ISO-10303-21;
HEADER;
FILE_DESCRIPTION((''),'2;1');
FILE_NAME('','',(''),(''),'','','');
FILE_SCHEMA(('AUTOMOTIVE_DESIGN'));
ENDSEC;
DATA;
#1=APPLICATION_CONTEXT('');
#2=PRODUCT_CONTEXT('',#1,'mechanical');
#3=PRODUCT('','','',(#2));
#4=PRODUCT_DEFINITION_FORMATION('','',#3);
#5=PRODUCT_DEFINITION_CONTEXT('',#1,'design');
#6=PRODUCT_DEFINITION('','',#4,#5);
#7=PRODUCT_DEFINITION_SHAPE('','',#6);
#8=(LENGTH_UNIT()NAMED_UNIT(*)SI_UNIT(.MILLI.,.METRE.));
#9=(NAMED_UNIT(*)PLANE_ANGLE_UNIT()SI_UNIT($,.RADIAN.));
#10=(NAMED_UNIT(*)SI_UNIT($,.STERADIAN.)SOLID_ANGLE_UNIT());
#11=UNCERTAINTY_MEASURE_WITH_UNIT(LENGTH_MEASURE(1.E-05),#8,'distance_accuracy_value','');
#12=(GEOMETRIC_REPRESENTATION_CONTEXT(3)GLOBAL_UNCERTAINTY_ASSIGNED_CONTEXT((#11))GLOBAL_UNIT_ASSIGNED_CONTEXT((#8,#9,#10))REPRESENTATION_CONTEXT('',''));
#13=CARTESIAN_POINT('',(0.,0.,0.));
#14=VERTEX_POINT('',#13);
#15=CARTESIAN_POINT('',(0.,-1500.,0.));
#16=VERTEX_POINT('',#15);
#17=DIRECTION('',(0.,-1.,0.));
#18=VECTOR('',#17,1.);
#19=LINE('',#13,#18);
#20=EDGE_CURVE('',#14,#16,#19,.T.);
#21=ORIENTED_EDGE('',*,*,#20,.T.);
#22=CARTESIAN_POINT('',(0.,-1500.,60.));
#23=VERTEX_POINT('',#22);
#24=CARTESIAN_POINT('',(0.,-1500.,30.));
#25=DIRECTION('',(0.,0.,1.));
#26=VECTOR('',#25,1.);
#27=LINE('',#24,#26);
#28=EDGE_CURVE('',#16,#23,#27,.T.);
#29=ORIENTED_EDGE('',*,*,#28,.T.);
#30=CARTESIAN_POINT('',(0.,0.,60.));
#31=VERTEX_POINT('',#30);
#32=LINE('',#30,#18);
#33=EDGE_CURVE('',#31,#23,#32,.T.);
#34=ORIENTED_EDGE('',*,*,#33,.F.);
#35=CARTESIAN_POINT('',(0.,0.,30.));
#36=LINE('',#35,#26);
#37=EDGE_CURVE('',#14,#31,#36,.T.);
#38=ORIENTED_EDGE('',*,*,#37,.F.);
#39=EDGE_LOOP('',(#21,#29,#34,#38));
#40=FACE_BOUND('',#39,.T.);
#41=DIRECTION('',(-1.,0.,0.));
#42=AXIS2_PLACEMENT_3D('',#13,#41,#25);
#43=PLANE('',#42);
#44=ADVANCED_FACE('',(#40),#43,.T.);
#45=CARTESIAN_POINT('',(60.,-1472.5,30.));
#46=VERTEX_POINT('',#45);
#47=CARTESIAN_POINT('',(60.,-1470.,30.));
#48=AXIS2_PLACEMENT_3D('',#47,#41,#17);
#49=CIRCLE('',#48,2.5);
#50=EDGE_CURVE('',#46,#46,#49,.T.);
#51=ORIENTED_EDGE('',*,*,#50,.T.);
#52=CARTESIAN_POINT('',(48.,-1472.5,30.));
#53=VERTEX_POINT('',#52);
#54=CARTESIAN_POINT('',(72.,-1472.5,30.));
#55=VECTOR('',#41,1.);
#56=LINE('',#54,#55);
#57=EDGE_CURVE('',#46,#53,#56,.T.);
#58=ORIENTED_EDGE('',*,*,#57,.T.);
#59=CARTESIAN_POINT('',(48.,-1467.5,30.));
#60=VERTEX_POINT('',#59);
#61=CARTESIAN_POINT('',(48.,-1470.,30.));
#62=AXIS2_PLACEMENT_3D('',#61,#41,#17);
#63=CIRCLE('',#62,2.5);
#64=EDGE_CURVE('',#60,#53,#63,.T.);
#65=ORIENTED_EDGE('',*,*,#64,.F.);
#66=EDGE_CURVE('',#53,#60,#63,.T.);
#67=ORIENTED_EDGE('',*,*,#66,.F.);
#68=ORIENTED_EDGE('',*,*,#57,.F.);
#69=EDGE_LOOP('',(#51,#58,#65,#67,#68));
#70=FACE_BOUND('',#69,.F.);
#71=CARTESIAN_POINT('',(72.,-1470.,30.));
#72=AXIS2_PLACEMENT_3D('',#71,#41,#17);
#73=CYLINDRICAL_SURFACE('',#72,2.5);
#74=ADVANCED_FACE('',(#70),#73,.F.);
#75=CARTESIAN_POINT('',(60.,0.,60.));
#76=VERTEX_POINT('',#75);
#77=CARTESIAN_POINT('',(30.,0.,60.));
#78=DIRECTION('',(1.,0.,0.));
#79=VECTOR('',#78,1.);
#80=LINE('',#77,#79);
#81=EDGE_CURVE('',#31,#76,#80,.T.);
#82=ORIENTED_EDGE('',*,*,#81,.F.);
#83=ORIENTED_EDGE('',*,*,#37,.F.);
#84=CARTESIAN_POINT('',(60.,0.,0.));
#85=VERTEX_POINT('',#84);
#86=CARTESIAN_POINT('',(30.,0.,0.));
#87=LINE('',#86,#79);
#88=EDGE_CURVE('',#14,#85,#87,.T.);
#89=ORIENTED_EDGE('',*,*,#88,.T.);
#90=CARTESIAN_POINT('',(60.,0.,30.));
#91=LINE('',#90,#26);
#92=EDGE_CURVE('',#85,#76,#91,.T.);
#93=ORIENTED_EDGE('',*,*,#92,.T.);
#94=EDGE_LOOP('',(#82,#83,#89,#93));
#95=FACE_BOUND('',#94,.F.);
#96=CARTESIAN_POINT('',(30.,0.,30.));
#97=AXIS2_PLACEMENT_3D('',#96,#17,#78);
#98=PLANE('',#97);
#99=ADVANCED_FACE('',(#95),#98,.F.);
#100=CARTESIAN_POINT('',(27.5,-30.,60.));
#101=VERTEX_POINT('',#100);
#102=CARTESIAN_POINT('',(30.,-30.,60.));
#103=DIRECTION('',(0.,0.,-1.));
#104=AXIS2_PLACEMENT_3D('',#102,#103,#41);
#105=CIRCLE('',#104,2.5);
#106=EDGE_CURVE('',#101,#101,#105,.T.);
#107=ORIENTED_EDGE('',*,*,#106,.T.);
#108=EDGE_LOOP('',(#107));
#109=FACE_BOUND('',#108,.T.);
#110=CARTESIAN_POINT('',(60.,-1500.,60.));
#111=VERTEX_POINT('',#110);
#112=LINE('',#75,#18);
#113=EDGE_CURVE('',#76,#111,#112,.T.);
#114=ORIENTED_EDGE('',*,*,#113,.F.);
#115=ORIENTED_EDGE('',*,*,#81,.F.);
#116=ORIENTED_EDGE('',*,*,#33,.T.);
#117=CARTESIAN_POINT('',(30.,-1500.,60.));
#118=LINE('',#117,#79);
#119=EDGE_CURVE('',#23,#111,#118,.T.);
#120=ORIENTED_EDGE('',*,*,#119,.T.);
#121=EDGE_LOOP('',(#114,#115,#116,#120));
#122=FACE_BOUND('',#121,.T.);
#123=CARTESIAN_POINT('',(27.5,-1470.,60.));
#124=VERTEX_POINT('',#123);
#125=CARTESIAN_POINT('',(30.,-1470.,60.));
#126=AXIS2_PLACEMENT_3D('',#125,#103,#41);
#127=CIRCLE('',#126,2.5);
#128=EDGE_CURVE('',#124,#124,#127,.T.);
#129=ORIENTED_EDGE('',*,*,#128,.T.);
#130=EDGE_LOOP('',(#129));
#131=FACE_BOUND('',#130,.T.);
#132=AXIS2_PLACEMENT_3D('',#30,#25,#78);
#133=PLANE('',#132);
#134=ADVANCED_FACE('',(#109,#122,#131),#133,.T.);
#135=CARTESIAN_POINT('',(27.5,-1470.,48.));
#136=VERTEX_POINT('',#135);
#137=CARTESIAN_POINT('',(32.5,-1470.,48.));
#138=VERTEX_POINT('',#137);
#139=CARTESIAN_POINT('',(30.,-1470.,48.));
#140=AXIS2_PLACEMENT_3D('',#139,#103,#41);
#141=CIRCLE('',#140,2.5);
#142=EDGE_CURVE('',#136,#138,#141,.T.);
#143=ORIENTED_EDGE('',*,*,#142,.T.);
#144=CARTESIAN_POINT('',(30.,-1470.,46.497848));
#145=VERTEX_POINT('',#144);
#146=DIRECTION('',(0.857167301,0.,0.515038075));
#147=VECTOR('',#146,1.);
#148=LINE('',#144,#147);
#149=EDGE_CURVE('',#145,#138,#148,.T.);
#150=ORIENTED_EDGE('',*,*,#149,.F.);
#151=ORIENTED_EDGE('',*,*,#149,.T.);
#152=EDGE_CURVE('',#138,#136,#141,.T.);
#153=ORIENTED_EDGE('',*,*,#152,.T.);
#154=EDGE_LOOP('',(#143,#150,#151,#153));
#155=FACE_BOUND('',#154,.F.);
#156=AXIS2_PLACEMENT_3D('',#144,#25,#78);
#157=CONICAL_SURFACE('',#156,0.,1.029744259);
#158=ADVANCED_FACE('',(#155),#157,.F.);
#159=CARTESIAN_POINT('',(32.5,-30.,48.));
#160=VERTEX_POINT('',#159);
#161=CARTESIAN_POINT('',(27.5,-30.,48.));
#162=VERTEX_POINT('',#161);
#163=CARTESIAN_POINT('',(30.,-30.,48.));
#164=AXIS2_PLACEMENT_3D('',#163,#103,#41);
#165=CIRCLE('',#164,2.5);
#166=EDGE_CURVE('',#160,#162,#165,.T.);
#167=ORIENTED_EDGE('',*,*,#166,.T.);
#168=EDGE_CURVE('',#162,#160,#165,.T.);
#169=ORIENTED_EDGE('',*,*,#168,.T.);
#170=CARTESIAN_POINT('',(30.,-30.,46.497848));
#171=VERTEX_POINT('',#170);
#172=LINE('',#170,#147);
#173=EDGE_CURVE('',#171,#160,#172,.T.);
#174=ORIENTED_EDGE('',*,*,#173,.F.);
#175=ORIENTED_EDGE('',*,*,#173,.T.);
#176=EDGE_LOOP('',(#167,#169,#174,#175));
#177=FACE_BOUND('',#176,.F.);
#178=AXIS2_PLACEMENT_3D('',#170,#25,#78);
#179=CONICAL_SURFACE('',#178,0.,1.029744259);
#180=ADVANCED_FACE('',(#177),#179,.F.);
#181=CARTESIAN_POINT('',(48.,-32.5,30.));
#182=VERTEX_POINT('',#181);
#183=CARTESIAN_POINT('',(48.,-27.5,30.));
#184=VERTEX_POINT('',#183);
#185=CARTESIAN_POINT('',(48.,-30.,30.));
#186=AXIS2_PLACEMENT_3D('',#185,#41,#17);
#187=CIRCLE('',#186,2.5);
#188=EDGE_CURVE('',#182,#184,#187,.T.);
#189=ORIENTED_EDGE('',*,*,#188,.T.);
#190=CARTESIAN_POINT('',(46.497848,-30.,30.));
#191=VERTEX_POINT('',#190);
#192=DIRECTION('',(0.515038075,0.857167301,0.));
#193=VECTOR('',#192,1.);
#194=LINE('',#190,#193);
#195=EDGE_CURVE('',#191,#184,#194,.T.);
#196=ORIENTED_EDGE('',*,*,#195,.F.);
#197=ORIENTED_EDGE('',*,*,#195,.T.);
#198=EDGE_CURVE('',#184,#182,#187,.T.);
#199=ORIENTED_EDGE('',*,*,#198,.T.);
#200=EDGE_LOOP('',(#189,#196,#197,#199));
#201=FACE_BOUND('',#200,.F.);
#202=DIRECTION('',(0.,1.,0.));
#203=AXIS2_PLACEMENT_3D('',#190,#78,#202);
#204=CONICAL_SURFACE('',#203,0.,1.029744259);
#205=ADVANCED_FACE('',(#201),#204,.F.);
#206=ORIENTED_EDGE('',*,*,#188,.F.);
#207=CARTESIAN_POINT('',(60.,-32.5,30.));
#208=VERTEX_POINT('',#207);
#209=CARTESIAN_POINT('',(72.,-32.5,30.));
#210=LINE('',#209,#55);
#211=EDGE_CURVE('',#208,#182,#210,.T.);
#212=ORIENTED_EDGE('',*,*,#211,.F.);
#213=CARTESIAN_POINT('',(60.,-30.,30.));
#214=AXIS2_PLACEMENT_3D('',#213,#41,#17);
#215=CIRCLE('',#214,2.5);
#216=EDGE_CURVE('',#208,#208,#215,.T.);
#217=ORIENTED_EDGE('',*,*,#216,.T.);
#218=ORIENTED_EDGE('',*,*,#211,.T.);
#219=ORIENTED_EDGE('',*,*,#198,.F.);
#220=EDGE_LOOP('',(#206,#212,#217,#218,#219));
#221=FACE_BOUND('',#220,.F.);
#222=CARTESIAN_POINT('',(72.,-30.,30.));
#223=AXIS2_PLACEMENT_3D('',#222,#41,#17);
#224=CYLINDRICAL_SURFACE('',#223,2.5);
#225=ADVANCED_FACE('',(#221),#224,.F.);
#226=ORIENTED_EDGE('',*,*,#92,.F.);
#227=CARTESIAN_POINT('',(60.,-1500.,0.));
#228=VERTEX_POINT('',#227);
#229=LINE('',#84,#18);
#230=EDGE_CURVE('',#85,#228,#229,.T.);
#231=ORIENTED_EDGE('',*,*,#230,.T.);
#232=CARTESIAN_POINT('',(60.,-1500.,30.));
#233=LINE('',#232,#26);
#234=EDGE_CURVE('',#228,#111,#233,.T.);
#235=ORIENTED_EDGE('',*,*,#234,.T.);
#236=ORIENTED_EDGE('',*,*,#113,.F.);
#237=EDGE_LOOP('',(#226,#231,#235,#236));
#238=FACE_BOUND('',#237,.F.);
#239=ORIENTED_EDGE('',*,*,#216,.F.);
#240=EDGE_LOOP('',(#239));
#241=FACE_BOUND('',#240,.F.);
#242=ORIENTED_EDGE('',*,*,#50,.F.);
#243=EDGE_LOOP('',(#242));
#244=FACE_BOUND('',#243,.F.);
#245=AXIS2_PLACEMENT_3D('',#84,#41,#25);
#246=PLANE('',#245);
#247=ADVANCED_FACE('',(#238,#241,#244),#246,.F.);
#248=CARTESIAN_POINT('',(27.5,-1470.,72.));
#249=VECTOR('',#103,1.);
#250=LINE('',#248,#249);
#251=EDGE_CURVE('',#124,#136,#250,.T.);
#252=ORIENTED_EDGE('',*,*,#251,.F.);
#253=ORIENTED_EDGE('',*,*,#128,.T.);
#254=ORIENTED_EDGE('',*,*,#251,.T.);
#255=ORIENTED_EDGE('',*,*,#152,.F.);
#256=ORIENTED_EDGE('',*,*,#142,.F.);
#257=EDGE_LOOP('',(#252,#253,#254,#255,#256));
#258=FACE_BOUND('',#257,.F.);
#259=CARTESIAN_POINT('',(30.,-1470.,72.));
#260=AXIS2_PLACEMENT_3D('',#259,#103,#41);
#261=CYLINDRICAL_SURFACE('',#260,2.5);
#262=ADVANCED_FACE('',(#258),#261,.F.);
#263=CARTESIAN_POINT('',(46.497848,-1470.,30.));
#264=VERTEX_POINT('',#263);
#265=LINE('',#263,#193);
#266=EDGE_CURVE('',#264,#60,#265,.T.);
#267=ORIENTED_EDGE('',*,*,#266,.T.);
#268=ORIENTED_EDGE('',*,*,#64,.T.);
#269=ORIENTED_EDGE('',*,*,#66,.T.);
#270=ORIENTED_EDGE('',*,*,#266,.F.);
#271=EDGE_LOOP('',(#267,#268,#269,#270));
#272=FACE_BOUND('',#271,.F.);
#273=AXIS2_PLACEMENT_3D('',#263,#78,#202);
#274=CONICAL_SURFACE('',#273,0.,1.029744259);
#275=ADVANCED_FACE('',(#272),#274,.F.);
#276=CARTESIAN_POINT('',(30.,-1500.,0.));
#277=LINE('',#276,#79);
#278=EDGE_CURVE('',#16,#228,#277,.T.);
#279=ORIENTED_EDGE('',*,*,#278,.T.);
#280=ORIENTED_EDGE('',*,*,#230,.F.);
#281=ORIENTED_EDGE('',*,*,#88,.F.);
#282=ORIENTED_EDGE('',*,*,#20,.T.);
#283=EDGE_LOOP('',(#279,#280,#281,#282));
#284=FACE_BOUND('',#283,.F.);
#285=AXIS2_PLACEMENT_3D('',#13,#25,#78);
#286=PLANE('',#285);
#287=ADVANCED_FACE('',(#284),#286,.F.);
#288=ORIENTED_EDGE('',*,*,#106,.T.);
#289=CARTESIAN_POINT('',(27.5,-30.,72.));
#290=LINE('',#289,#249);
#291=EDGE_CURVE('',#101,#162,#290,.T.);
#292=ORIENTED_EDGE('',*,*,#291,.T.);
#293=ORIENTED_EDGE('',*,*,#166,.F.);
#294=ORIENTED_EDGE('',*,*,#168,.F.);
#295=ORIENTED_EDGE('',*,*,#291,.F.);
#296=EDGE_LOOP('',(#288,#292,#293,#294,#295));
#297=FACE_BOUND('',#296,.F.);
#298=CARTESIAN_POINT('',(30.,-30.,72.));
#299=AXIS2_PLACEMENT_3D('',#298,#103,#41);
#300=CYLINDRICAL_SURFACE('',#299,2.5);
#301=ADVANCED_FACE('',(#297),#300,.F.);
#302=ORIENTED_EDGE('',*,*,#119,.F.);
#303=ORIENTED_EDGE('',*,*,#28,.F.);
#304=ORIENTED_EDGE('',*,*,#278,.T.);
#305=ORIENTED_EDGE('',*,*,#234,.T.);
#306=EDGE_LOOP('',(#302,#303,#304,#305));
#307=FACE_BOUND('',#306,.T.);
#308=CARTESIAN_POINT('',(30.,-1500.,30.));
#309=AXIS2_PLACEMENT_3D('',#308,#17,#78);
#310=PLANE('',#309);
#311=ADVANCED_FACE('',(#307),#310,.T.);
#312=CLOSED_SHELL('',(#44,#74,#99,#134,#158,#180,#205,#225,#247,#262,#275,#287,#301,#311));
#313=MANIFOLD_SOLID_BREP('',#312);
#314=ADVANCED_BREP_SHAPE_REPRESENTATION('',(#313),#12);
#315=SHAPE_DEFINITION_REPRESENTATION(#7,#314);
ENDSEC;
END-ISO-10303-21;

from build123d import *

# Parameters (mm, degrees)
F3_W     = 60
F3_H     = 60
F4_DEPTH = 1500
F7_D     = 5
F7_DEPTH = 12
F7_TIP   = 1.5021515476
F8_D     = 5
F8_DEPTH = 12
F8_TIP   = 1.5021515476


with BuildPart() as f4:
    # F3 (on Front) → F4 (new body)
    with BuildSketch(Plane.XZ):
        with Locations((30, 30)):
            Rectangle(F3_W, F3_H)
    extrude(amount=F4_DEPTH)

    # F7
    with Locations(Plane.XY.offset(60)):
        with Locations((30, -1470), (30, -30)):
            Hole(F7_D / 2, depth=F7_DEPTH)
            with Locations((0, 0, -(F7_DEPTH + F7_TIP / 2))):  # 118° drill point
                Cone(0, F7_D / 2, F7_TIP, mode=Mode.SUBTRACT)

    # F8
    with Locations(Plane.YZ.offset(60)):
        with Locations((-30, 30), (-1470, 30)):
            Hole(F8_D / 2, depth=F8_DEPTH)
            with Locations((0, 0, -(F8_DEPTH + F8_TIP / 2))):  # 118° drill point
                Cone(0, F8_D / 2, F8_TIP, mode=Mode.SUBTRACT)


solid = f4.part
